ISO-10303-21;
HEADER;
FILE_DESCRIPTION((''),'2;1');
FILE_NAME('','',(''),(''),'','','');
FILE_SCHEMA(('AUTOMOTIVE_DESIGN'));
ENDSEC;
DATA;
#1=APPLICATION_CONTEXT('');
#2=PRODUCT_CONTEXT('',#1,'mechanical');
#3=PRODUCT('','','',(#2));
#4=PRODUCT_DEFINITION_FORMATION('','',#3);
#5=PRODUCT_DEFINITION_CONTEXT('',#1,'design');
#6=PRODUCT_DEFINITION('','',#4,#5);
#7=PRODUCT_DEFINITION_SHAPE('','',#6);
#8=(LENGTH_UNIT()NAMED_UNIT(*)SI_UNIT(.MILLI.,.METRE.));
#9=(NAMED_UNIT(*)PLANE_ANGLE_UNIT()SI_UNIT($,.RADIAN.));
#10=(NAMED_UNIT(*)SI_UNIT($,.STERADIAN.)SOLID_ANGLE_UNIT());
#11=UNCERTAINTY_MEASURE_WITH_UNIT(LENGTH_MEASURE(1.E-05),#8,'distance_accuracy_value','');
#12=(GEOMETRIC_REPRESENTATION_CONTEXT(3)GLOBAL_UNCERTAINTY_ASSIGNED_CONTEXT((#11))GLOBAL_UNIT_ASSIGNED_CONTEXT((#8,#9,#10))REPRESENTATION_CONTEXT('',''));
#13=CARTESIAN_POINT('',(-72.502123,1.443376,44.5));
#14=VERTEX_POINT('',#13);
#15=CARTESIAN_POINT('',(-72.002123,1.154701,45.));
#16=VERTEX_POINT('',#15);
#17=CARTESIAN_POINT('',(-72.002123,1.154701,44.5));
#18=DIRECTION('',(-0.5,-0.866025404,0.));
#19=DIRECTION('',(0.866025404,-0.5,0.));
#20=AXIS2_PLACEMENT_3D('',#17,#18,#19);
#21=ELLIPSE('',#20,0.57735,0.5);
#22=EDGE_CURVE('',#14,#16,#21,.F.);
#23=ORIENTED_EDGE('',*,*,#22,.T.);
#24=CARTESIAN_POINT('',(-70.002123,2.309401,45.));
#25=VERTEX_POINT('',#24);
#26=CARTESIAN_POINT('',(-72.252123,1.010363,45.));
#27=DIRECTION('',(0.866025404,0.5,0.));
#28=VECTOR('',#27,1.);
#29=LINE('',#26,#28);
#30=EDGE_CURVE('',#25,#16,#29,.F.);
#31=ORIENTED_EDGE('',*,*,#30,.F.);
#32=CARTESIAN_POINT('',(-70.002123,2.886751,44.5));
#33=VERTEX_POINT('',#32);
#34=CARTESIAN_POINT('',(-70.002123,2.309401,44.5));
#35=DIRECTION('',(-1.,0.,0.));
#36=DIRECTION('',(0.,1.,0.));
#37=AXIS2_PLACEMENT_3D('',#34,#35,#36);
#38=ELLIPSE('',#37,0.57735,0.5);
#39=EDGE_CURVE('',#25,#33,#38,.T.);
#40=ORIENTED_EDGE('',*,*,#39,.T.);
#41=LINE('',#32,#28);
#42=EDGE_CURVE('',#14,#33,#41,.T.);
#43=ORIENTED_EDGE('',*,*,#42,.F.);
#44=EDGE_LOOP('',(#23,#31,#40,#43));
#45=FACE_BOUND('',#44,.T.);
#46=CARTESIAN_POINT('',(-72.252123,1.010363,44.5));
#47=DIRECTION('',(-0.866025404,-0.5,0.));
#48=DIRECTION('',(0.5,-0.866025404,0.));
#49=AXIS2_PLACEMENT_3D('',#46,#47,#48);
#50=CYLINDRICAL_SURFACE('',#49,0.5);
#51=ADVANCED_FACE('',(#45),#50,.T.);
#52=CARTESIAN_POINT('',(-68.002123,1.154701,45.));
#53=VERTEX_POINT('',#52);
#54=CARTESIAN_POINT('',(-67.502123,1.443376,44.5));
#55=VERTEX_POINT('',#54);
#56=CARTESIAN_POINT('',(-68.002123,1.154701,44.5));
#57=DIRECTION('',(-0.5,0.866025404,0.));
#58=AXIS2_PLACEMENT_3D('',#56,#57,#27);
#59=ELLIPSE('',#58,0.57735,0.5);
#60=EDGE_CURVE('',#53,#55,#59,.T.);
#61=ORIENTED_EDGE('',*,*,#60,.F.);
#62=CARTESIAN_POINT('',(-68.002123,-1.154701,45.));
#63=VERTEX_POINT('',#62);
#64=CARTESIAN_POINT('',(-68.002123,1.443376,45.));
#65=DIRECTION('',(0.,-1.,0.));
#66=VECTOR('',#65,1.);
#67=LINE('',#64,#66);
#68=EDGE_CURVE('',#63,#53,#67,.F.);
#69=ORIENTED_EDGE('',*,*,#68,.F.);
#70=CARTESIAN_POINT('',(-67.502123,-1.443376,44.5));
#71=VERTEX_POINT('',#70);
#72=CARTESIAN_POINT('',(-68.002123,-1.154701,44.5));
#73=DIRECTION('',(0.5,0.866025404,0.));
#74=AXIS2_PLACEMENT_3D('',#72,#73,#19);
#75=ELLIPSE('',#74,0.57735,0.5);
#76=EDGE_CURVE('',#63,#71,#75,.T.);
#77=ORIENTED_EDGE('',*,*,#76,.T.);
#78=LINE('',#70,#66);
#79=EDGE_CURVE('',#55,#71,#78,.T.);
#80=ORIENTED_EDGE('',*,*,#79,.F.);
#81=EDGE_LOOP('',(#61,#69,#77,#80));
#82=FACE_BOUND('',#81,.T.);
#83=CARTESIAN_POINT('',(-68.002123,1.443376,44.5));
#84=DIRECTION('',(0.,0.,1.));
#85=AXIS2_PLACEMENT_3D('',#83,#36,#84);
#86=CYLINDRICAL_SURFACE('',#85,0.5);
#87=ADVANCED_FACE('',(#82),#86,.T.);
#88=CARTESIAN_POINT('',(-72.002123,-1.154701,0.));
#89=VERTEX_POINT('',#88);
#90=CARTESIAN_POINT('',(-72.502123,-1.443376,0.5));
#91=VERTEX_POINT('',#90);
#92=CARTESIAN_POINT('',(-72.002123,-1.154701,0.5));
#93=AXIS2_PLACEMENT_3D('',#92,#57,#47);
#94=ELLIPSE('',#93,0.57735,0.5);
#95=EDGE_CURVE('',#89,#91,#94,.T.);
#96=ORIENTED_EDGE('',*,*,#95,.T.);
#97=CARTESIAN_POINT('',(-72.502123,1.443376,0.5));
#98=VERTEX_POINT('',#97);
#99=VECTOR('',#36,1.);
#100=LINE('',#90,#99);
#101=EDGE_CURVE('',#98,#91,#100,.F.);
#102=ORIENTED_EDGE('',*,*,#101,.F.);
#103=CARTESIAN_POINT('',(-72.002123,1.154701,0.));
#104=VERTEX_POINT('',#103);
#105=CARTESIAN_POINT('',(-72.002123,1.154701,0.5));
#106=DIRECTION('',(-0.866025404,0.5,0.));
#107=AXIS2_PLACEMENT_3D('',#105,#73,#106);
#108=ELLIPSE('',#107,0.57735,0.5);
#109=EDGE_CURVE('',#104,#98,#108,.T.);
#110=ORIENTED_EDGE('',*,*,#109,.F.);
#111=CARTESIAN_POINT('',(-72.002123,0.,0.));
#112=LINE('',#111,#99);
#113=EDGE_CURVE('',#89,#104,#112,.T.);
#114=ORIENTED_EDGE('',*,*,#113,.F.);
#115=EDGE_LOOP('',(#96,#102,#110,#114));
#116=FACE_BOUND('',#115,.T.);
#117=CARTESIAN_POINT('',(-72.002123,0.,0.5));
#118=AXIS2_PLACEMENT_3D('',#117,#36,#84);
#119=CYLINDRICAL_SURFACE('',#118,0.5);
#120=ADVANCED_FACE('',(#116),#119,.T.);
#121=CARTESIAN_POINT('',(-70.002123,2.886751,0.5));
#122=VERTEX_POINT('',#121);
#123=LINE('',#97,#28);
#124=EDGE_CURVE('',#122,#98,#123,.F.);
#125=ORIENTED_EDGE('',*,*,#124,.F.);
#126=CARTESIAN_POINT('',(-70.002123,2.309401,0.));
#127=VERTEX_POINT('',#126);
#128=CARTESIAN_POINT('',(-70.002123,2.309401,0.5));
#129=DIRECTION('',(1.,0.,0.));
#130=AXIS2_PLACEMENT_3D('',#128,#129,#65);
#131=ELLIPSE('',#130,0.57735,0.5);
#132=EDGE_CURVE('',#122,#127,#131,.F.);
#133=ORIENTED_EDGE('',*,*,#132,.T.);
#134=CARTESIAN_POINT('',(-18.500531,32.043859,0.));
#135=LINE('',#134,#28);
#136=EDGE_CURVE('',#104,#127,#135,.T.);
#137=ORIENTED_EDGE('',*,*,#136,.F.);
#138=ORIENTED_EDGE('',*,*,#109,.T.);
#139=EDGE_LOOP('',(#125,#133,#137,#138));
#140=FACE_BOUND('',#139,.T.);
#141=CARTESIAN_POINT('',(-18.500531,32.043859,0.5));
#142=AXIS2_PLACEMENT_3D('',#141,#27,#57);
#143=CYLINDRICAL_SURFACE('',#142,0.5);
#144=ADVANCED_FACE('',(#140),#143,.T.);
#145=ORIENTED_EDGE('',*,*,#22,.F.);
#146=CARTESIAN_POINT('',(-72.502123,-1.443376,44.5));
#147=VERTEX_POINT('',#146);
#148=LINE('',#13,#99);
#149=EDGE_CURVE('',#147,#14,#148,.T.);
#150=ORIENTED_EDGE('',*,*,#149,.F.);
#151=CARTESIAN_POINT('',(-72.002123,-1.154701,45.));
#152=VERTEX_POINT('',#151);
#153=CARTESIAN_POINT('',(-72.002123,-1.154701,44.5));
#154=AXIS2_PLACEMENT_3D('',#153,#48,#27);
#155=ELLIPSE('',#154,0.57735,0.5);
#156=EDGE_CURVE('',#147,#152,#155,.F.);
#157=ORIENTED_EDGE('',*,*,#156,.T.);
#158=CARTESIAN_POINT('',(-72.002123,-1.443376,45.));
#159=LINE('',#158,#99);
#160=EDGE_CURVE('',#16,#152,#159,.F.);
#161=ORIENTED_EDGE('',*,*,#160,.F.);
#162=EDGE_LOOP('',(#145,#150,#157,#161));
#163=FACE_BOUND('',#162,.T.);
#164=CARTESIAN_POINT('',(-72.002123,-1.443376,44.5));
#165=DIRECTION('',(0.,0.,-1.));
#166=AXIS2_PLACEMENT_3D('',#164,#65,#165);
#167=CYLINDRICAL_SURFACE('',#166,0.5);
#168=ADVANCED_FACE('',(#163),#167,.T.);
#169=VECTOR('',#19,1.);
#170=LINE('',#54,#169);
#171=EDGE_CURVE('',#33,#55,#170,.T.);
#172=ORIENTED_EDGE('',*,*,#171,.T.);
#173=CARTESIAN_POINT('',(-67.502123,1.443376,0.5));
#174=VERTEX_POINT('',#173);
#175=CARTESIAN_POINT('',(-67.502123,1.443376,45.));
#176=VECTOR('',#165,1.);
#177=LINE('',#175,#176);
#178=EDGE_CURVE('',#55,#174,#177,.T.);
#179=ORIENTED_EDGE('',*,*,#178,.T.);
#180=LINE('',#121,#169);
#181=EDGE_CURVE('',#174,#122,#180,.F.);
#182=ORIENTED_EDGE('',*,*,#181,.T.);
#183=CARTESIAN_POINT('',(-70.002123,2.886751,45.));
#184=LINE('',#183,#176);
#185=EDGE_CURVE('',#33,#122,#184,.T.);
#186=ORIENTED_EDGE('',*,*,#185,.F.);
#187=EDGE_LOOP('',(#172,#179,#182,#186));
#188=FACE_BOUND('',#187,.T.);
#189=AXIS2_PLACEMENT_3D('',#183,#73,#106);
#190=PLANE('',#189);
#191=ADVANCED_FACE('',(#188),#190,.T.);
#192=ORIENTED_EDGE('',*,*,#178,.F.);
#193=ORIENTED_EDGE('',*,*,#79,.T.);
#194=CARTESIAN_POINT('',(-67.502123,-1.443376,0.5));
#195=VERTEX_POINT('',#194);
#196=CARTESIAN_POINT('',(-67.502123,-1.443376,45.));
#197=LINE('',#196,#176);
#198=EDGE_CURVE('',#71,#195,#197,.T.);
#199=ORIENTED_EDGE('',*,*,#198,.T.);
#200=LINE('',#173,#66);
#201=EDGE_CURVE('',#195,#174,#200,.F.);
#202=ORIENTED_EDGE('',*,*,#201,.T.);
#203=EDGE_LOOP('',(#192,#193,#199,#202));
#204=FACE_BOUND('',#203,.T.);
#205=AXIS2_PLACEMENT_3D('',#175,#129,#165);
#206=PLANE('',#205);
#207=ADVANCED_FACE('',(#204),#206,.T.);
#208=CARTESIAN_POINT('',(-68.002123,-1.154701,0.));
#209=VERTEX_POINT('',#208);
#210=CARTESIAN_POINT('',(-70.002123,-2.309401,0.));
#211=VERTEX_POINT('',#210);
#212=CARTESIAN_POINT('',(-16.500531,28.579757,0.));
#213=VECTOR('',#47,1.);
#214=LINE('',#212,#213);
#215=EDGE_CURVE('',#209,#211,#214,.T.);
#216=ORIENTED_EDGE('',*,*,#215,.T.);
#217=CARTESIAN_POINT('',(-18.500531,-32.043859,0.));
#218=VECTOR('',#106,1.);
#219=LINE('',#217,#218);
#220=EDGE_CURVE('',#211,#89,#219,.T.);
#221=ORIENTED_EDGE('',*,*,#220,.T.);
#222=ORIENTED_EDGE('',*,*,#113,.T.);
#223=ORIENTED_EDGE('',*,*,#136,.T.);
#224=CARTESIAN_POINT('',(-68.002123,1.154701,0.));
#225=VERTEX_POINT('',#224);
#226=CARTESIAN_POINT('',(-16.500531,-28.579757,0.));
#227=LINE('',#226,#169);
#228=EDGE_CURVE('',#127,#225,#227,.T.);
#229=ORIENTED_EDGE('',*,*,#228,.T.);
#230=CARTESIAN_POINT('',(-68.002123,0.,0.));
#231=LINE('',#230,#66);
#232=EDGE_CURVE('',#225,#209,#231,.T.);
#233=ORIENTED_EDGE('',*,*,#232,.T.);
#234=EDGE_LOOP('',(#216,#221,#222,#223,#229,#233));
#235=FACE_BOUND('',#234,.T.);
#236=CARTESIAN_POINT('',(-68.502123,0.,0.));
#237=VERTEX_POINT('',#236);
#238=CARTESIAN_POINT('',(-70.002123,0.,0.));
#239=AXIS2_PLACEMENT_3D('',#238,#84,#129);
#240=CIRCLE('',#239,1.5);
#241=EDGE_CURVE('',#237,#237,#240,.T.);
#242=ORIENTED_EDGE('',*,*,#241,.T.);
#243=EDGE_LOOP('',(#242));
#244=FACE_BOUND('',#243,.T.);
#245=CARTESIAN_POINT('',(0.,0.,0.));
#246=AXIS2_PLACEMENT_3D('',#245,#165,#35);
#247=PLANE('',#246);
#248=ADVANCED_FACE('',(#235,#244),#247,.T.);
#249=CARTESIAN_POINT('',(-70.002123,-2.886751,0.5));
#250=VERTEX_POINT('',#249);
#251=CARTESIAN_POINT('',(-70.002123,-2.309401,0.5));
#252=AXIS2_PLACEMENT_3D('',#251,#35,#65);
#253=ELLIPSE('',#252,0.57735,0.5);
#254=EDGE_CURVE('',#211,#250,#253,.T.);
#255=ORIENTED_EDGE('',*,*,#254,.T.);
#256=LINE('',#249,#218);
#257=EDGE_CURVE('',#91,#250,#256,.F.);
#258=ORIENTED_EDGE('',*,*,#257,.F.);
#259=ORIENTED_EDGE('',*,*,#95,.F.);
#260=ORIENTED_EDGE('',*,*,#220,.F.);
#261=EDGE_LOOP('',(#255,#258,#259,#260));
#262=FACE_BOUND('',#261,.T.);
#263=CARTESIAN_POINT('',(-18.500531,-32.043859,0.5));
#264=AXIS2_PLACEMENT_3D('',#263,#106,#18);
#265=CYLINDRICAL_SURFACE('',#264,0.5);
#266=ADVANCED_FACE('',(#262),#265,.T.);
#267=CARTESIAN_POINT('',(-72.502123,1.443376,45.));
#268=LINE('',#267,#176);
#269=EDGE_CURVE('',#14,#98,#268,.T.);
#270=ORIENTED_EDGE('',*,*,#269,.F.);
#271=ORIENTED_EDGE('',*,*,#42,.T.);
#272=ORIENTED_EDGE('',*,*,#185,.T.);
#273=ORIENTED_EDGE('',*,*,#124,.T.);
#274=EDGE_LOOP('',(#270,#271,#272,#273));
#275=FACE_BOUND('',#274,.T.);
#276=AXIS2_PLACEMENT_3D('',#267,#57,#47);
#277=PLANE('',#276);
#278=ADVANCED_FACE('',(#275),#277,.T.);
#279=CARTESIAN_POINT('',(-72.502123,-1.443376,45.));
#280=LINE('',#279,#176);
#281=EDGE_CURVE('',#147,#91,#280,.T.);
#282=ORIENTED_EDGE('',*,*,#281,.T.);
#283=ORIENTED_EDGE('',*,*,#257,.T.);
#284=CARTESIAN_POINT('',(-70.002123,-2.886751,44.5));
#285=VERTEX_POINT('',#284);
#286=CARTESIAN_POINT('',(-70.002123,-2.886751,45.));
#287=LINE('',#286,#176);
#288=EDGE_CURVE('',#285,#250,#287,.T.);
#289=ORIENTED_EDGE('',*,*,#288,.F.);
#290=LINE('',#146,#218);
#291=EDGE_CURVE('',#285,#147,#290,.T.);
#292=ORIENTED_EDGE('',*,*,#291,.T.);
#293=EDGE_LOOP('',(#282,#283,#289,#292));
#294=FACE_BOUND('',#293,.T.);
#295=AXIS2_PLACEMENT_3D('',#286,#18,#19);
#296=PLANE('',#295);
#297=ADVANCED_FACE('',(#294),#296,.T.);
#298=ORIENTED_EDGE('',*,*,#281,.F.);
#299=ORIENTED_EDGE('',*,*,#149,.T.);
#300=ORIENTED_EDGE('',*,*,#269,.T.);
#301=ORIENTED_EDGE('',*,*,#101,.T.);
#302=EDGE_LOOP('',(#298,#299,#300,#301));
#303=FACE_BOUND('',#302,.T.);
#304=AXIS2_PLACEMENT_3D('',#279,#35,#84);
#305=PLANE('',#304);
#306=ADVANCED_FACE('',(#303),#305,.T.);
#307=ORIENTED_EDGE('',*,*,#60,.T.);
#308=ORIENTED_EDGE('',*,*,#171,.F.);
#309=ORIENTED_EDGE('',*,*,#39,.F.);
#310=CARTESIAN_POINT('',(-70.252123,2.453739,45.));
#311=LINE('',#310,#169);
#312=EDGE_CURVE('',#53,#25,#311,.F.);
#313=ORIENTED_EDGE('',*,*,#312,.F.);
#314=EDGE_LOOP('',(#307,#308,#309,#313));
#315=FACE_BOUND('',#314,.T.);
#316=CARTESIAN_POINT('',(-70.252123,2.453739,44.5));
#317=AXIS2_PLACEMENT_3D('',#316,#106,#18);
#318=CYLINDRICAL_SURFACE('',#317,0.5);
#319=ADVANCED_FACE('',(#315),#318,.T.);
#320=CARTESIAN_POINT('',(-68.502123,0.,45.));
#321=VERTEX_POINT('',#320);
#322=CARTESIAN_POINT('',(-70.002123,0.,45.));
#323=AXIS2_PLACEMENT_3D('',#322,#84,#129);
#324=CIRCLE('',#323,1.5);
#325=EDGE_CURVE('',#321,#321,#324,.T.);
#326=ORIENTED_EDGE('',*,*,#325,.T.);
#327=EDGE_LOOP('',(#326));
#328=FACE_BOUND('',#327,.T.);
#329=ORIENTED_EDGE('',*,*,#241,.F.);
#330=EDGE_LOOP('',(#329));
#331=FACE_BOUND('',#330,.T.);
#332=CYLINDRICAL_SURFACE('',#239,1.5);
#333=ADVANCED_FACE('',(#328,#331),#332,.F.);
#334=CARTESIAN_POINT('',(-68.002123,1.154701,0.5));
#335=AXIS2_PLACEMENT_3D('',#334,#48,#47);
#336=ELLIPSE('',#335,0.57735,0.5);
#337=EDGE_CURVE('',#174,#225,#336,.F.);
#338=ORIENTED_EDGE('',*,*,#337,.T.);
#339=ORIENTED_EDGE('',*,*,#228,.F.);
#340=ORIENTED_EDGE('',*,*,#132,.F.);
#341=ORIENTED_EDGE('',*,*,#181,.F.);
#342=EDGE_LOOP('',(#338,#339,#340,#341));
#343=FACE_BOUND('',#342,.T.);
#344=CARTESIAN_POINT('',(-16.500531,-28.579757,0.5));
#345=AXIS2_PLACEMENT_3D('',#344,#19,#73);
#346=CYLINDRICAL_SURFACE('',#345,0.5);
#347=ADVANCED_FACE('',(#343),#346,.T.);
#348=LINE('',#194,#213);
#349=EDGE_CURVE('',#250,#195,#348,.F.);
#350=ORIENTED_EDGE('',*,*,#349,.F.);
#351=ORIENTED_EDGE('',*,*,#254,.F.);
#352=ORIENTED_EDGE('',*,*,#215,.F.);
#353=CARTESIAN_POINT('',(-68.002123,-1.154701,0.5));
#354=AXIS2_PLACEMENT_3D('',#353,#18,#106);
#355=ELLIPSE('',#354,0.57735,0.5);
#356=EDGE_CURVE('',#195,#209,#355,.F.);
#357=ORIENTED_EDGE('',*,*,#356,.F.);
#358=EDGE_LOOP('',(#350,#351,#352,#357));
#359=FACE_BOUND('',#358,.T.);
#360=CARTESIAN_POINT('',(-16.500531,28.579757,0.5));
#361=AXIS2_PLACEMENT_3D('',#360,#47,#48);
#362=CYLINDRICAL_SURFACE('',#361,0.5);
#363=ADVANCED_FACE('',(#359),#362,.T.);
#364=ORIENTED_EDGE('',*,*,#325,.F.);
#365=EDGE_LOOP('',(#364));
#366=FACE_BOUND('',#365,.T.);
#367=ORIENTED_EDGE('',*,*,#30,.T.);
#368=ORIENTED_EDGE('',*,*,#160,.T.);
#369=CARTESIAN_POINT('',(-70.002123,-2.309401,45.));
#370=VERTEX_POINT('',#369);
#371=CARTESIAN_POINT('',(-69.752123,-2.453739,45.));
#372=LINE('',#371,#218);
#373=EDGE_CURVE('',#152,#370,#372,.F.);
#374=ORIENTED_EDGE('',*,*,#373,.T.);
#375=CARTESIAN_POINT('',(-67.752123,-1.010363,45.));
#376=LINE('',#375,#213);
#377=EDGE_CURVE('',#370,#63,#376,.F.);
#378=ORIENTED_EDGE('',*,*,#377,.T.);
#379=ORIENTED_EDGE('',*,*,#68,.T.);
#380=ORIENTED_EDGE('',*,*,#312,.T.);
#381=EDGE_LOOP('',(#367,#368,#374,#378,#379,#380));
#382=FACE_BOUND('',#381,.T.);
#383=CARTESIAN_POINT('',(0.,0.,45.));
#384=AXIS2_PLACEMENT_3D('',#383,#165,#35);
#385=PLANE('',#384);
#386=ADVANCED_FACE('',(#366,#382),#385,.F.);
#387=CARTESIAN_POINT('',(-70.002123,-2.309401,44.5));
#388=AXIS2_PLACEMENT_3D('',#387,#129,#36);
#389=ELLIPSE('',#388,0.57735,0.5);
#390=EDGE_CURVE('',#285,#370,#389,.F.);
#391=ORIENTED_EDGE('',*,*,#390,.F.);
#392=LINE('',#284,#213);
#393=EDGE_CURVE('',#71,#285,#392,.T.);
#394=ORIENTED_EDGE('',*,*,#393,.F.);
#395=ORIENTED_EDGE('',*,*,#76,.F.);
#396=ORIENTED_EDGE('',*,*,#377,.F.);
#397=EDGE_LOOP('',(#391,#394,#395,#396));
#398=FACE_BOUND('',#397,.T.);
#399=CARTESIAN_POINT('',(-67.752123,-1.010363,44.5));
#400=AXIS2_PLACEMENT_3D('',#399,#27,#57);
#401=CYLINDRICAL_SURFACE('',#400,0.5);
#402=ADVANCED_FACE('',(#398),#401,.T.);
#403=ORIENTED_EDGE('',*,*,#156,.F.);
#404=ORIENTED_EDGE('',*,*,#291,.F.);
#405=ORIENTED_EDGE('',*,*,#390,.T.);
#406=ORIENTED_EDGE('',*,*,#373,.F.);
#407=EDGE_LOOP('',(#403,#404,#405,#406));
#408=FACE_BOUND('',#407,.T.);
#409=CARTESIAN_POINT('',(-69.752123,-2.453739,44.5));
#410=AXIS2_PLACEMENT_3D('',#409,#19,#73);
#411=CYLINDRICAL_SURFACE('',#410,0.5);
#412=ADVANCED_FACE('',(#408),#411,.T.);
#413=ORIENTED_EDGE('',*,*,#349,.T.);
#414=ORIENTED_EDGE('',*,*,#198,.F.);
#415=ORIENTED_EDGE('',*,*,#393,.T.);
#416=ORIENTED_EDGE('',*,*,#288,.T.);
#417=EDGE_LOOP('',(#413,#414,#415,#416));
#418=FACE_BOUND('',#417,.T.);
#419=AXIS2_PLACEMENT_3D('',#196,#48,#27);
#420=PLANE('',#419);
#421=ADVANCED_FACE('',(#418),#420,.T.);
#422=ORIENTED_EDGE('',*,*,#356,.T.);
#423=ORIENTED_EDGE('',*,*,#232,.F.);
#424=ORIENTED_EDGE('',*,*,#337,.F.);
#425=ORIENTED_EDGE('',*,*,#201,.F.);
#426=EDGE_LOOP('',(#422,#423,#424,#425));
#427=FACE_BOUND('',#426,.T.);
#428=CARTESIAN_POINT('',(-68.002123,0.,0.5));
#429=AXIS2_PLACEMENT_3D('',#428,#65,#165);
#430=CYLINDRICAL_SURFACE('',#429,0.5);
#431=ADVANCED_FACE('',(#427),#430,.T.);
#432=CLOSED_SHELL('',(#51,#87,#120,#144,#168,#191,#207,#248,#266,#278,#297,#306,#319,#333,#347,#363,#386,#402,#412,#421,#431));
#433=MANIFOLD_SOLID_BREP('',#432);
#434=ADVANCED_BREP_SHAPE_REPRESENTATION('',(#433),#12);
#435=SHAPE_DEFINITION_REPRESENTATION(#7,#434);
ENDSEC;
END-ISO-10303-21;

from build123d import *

# Parameters (mm, degrees)
RESSALTO_EXTRUS_O1_DEPTH = 45
FILETE1_R                = 0.5
ESBO_O2_R                = 1.5
CORTE_EXTRUS_O1_DEPTH    = 46


with BuildPart() as part:
    # Esboço1 → Ressalto-extrusão1 (new body)
    with BuildSketch(Plane(origin=(0, 0, 0), x_dir=(-1, 0, 0), z_dir=(0, 0, -1))):
        Polygon((67.502122675, -1.443375673), (70.002122675, -2.886751346), (72.502122675, -1.443375673), (72.502122675, 1.443375673), (70.002122675, 2.886751346), (67.502122675, 1.443375673), align=None)
    extrude(amount=-RESSALTO_EXTRUS_O1_DEPTH)

    # Filete1
    filete1_edges = [part.edges().sort_by_distance(p)[0] for p in [
        (-71.252122675, -2.165063509, 45),
        (-72.502122675, 0, 45),
        (-71.252122675, 2.165063509, 45),
        (-68.752122675, 2.165063509, 45),
        (-67.502122675, 0, 45),
        (-68.752122675, 2.165063509, 0),
        (-71.252122675, 2.165063509, 0),
        (-72.502122675, 0, 0),
        (-71.252122675, -2.165063509, 0),
        (-68.752122675, -2.165063509, 0),
        (-67.502122675, 0, 0),
        (-68.752122675, -2.165063509, 45),
    ]]
    fillet(filete1_edges, radius=FILETE1_R)

    # Esboço2 → Corte-extrusão1 (cut, through all)
    with BuildSketch(Plane.XY.offset(45)):
        with Locations((-70.002122675, 0)):
            Circle(ESBO_O2_R)
    extrude(amount=-CORTE_EXTRUS_O1_DEPTH, mode=Mode.SUBTRACT)


solid = part.part
